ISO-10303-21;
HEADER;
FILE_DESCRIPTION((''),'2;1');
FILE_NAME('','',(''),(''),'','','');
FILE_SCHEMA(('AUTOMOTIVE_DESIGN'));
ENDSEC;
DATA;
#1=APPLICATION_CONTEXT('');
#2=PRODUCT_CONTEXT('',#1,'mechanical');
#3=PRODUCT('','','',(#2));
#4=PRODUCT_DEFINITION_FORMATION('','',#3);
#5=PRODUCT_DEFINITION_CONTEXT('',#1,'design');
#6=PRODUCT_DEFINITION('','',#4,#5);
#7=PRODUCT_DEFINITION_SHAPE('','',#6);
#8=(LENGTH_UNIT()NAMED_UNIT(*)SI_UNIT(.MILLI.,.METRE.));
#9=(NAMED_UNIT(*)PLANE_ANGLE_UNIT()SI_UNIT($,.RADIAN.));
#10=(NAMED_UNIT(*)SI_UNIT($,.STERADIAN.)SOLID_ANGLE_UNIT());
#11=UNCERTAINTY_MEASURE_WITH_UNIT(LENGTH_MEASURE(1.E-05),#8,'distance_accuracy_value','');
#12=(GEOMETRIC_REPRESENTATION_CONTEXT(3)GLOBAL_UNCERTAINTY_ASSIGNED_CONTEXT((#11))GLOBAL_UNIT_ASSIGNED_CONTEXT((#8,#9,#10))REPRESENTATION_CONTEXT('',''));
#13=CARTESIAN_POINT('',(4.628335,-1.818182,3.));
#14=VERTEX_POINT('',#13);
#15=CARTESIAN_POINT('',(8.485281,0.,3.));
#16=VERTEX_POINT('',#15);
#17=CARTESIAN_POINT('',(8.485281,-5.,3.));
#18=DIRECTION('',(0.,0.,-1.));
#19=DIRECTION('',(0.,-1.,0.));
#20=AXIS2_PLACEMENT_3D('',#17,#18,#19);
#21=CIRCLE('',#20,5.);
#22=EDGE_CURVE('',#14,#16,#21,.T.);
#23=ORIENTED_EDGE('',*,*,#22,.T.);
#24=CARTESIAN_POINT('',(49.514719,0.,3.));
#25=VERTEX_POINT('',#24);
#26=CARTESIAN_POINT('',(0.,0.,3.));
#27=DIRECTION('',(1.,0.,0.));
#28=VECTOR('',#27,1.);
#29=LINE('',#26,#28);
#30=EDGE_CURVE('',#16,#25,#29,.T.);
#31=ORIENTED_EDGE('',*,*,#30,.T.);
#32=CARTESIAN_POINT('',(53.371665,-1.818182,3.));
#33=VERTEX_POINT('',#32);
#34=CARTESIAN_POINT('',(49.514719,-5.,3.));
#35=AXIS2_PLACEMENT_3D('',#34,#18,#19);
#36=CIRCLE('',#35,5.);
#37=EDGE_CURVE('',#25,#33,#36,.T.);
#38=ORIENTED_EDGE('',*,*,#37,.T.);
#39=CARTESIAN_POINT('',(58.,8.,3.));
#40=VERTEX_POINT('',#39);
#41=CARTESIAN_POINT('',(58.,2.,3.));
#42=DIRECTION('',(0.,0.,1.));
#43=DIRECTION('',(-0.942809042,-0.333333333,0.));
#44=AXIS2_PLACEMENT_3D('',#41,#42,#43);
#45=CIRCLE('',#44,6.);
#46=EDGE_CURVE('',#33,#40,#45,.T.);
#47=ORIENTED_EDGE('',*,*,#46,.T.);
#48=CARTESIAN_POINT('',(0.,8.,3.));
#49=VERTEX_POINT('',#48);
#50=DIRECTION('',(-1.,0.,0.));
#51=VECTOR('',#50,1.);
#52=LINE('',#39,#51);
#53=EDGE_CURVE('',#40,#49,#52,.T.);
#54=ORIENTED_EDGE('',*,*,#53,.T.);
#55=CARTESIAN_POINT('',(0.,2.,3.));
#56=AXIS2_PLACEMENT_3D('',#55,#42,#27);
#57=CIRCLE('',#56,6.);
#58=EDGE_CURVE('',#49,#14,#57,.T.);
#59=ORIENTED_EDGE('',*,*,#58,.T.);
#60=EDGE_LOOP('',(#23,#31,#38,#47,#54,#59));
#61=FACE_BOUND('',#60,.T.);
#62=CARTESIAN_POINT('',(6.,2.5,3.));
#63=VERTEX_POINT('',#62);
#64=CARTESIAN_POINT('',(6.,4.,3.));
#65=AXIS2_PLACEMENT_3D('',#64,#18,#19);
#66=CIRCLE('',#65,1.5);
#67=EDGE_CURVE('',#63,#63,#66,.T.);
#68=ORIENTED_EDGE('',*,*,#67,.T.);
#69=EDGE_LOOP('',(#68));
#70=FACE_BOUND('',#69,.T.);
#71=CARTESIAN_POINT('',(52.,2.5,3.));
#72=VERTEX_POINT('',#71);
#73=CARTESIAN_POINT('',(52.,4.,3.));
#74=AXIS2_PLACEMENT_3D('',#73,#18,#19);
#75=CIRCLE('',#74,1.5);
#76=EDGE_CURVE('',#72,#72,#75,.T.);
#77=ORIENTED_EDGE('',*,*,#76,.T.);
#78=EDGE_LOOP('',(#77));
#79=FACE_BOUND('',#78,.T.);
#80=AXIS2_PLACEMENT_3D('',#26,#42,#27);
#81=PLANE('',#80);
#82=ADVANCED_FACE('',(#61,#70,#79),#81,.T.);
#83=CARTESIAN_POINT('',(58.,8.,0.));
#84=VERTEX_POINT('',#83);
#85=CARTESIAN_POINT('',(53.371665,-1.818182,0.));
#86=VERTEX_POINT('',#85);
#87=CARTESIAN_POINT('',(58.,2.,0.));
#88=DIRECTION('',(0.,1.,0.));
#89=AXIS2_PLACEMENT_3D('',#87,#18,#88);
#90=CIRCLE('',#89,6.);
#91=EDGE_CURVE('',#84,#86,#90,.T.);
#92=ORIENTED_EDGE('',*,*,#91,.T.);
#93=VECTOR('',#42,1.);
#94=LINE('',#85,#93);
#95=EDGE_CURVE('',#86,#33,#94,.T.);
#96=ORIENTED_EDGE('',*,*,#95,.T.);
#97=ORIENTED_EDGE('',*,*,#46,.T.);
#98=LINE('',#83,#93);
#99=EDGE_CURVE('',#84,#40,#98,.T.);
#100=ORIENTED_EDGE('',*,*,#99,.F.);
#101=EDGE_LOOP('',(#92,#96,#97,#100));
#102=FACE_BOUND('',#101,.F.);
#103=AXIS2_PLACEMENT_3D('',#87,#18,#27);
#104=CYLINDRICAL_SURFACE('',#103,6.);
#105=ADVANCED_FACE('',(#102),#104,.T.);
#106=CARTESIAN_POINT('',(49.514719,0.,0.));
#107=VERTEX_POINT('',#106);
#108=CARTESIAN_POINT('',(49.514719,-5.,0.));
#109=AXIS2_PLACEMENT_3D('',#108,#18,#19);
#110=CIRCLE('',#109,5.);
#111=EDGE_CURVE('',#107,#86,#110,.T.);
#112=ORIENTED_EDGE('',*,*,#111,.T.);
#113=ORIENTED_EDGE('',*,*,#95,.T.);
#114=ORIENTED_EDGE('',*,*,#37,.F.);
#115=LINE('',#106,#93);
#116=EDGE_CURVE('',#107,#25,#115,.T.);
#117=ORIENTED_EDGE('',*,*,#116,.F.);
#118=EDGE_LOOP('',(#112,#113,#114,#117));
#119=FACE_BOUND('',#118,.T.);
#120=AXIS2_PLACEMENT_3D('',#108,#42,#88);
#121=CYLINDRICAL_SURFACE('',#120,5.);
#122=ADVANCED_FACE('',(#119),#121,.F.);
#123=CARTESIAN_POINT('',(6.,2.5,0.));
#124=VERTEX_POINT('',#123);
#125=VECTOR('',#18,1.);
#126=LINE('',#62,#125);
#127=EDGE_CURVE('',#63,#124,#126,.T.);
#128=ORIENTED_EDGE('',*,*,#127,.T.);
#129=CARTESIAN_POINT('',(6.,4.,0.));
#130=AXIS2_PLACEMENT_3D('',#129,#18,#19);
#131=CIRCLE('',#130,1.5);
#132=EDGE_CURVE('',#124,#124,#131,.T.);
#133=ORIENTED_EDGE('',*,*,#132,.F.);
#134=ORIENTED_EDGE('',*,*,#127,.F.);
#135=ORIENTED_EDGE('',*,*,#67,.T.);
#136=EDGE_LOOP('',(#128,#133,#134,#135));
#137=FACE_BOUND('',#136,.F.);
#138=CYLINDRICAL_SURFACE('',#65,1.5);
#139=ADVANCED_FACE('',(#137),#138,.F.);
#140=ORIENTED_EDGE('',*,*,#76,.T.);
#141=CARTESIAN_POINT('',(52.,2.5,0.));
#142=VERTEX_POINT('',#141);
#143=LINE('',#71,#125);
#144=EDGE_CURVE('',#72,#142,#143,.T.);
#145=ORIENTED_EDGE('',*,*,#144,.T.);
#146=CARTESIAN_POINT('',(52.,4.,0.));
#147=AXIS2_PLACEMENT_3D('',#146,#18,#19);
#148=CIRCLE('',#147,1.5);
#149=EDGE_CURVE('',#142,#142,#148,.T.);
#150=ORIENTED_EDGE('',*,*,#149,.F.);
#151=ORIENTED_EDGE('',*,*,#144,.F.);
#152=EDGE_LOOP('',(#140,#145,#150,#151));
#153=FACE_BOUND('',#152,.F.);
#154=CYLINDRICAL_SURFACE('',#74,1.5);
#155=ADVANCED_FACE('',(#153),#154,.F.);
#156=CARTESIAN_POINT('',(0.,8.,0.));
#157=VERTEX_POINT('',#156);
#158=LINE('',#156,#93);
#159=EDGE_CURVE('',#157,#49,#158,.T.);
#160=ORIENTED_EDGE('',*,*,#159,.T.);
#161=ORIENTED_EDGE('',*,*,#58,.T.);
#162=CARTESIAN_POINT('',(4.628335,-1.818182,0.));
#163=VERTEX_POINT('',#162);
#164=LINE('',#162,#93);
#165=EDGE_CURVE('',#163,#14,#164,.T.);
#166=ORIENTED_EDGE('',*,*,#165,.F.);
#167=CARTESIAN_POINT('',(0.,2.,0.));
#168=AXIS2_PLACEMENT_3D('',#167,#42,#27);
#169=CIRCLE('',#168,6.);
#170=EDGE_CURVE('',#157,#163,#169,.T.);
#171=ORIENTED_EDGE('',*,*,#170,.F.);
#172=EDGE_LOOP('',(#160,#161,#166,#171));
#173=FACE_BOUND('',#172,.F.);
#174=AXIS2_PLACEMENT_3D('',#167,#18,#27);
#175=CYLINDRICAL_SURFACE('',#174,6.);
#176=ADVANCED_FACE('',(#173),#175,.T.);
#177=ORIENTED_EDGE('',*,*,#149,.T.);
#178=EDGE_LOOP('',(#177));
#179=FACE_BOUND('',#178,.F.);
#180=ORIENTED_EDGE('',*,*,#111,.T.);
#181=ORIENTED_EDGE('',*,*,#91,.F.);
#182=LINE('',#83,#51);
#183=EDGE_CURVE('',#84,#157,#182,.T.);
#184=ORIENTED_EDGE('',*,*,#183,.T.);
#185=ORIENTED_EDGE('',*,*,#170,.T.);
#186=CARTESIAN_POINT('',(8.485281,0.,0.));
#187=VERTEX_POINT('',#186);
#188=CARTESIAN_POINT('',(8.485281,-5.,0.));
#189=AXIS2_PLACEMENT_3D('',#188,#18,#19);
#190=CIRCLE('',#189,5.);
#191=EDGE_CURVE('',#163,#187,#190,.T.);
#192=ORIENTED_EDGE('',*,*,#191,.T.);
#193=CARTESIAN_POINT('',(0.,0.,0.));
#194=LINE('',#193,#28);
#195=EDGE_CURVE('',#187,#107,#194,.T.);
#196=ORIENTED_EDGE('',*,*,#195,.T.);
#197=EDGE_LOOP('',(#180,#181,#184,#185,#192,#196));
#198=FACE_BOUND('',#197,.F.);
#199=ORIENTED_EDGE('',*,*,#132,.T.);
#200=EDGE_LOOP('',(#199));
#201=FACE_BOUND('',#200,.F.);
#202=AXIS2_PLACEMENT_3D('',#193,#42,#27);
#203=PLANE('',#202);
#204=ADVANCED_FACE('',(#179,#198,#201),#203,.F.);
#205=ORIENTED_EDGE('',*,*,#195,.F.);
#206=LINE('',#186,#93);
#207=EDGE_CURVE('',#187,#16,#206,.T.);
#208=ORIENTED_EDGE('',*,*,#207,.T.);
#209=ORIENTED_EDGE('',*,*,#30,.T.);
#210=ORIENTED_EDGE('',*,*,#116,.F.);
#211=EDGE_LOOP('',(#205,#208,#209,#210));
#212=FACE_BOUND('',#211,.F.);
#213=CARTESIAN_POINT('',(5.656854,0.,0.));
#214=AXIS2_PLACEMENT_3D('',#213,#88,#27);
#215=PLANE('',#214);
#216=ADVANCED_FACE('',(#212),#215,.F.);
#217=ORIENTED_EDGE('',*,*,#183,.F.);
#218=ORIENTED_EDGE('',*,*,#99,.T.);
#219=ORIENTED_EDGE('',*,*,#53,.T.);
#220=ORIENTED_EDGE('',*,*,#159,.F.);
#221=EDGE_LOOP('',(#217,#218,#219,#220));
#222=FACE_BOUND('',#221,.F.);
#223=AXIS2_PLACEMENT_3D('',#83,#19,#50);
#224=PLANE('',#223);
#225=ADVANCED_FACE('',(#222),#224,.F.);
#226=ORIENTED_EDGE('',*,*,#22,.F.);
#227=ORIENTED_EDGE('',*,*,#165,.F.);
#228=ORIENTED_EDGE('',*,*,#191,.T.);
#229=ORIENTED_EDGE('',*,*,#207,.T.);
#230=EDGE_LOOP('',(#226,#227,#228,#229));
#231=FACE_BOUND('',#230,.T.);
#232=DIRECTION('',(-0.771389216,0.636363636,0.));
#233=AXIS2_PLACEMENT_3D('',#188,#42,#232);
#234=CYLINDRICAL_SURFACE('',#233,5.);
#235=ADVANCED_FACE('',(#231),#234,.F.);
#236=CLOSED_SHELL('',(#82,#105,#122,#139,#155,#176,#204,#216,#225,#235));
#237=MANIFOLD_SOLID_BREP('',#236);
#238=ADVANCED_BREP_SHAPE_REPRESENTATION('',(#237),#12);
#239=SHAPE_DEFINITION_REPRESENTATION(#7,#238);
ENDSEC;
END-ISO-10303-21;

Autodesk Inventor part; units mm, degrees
ref_plane "YZ Plane" through (0, 0, 0) normal (1, 0, 0) x (0, 1, 0)
ref_plane "XZ Plane" through (0, 0, 0) normal (0, 1, 0) x (-1, 0, 0)
ref_plane "XY Plane" through (0, 0, 0) normal (0, 0, 1) x (1, 0, 0)
sketch "Sketch1" plane through (0, 0, 0) normal (0, 0, 1) x (1, 0, 0)
  line L0 (0, 0) -> (58, 0)
  line L1 (58, 0) -> (58, 8)
  line L2 (58, 8) -> (0, 8)
  line L3 (0, 8) -> (0, 0)
  circle A0 centre (0, 2) radius 6
  circle A1 centre (58, 2) radius 6
  dimension "d88" = 12
  dimension "d0" = 58
  dimension "d1" = 8
extrude "Extrusion1" add sketch "Sketch1" along normal blind 3
fillet "圓角5" radius 5 2 edges at (5.6569, 0, 1.5) (52.3431, 0, 1.5)
sketch "草圖9" plane through (0, 0, 3) normal (0, 0, 1) x (1, 0, 0)
  line L0 (0, 8) -> (58, 8) projected
  arc A0 (0, 8) -> (4.6283, -1.8182) centre (0, 2) ccw projected
  point P0 (0, 0)
  point P1 (6, 4)
  point P2 (52, 4)
  dimension "d90" = 4
  dimension "d91" = 46
  dimension "d92" = 6
hole "孔5" at (6, 4, 3) at (52, 4, 3) direction (0, 0, -1) diameter 3 end through all
properties part number "plastic_part_53"
